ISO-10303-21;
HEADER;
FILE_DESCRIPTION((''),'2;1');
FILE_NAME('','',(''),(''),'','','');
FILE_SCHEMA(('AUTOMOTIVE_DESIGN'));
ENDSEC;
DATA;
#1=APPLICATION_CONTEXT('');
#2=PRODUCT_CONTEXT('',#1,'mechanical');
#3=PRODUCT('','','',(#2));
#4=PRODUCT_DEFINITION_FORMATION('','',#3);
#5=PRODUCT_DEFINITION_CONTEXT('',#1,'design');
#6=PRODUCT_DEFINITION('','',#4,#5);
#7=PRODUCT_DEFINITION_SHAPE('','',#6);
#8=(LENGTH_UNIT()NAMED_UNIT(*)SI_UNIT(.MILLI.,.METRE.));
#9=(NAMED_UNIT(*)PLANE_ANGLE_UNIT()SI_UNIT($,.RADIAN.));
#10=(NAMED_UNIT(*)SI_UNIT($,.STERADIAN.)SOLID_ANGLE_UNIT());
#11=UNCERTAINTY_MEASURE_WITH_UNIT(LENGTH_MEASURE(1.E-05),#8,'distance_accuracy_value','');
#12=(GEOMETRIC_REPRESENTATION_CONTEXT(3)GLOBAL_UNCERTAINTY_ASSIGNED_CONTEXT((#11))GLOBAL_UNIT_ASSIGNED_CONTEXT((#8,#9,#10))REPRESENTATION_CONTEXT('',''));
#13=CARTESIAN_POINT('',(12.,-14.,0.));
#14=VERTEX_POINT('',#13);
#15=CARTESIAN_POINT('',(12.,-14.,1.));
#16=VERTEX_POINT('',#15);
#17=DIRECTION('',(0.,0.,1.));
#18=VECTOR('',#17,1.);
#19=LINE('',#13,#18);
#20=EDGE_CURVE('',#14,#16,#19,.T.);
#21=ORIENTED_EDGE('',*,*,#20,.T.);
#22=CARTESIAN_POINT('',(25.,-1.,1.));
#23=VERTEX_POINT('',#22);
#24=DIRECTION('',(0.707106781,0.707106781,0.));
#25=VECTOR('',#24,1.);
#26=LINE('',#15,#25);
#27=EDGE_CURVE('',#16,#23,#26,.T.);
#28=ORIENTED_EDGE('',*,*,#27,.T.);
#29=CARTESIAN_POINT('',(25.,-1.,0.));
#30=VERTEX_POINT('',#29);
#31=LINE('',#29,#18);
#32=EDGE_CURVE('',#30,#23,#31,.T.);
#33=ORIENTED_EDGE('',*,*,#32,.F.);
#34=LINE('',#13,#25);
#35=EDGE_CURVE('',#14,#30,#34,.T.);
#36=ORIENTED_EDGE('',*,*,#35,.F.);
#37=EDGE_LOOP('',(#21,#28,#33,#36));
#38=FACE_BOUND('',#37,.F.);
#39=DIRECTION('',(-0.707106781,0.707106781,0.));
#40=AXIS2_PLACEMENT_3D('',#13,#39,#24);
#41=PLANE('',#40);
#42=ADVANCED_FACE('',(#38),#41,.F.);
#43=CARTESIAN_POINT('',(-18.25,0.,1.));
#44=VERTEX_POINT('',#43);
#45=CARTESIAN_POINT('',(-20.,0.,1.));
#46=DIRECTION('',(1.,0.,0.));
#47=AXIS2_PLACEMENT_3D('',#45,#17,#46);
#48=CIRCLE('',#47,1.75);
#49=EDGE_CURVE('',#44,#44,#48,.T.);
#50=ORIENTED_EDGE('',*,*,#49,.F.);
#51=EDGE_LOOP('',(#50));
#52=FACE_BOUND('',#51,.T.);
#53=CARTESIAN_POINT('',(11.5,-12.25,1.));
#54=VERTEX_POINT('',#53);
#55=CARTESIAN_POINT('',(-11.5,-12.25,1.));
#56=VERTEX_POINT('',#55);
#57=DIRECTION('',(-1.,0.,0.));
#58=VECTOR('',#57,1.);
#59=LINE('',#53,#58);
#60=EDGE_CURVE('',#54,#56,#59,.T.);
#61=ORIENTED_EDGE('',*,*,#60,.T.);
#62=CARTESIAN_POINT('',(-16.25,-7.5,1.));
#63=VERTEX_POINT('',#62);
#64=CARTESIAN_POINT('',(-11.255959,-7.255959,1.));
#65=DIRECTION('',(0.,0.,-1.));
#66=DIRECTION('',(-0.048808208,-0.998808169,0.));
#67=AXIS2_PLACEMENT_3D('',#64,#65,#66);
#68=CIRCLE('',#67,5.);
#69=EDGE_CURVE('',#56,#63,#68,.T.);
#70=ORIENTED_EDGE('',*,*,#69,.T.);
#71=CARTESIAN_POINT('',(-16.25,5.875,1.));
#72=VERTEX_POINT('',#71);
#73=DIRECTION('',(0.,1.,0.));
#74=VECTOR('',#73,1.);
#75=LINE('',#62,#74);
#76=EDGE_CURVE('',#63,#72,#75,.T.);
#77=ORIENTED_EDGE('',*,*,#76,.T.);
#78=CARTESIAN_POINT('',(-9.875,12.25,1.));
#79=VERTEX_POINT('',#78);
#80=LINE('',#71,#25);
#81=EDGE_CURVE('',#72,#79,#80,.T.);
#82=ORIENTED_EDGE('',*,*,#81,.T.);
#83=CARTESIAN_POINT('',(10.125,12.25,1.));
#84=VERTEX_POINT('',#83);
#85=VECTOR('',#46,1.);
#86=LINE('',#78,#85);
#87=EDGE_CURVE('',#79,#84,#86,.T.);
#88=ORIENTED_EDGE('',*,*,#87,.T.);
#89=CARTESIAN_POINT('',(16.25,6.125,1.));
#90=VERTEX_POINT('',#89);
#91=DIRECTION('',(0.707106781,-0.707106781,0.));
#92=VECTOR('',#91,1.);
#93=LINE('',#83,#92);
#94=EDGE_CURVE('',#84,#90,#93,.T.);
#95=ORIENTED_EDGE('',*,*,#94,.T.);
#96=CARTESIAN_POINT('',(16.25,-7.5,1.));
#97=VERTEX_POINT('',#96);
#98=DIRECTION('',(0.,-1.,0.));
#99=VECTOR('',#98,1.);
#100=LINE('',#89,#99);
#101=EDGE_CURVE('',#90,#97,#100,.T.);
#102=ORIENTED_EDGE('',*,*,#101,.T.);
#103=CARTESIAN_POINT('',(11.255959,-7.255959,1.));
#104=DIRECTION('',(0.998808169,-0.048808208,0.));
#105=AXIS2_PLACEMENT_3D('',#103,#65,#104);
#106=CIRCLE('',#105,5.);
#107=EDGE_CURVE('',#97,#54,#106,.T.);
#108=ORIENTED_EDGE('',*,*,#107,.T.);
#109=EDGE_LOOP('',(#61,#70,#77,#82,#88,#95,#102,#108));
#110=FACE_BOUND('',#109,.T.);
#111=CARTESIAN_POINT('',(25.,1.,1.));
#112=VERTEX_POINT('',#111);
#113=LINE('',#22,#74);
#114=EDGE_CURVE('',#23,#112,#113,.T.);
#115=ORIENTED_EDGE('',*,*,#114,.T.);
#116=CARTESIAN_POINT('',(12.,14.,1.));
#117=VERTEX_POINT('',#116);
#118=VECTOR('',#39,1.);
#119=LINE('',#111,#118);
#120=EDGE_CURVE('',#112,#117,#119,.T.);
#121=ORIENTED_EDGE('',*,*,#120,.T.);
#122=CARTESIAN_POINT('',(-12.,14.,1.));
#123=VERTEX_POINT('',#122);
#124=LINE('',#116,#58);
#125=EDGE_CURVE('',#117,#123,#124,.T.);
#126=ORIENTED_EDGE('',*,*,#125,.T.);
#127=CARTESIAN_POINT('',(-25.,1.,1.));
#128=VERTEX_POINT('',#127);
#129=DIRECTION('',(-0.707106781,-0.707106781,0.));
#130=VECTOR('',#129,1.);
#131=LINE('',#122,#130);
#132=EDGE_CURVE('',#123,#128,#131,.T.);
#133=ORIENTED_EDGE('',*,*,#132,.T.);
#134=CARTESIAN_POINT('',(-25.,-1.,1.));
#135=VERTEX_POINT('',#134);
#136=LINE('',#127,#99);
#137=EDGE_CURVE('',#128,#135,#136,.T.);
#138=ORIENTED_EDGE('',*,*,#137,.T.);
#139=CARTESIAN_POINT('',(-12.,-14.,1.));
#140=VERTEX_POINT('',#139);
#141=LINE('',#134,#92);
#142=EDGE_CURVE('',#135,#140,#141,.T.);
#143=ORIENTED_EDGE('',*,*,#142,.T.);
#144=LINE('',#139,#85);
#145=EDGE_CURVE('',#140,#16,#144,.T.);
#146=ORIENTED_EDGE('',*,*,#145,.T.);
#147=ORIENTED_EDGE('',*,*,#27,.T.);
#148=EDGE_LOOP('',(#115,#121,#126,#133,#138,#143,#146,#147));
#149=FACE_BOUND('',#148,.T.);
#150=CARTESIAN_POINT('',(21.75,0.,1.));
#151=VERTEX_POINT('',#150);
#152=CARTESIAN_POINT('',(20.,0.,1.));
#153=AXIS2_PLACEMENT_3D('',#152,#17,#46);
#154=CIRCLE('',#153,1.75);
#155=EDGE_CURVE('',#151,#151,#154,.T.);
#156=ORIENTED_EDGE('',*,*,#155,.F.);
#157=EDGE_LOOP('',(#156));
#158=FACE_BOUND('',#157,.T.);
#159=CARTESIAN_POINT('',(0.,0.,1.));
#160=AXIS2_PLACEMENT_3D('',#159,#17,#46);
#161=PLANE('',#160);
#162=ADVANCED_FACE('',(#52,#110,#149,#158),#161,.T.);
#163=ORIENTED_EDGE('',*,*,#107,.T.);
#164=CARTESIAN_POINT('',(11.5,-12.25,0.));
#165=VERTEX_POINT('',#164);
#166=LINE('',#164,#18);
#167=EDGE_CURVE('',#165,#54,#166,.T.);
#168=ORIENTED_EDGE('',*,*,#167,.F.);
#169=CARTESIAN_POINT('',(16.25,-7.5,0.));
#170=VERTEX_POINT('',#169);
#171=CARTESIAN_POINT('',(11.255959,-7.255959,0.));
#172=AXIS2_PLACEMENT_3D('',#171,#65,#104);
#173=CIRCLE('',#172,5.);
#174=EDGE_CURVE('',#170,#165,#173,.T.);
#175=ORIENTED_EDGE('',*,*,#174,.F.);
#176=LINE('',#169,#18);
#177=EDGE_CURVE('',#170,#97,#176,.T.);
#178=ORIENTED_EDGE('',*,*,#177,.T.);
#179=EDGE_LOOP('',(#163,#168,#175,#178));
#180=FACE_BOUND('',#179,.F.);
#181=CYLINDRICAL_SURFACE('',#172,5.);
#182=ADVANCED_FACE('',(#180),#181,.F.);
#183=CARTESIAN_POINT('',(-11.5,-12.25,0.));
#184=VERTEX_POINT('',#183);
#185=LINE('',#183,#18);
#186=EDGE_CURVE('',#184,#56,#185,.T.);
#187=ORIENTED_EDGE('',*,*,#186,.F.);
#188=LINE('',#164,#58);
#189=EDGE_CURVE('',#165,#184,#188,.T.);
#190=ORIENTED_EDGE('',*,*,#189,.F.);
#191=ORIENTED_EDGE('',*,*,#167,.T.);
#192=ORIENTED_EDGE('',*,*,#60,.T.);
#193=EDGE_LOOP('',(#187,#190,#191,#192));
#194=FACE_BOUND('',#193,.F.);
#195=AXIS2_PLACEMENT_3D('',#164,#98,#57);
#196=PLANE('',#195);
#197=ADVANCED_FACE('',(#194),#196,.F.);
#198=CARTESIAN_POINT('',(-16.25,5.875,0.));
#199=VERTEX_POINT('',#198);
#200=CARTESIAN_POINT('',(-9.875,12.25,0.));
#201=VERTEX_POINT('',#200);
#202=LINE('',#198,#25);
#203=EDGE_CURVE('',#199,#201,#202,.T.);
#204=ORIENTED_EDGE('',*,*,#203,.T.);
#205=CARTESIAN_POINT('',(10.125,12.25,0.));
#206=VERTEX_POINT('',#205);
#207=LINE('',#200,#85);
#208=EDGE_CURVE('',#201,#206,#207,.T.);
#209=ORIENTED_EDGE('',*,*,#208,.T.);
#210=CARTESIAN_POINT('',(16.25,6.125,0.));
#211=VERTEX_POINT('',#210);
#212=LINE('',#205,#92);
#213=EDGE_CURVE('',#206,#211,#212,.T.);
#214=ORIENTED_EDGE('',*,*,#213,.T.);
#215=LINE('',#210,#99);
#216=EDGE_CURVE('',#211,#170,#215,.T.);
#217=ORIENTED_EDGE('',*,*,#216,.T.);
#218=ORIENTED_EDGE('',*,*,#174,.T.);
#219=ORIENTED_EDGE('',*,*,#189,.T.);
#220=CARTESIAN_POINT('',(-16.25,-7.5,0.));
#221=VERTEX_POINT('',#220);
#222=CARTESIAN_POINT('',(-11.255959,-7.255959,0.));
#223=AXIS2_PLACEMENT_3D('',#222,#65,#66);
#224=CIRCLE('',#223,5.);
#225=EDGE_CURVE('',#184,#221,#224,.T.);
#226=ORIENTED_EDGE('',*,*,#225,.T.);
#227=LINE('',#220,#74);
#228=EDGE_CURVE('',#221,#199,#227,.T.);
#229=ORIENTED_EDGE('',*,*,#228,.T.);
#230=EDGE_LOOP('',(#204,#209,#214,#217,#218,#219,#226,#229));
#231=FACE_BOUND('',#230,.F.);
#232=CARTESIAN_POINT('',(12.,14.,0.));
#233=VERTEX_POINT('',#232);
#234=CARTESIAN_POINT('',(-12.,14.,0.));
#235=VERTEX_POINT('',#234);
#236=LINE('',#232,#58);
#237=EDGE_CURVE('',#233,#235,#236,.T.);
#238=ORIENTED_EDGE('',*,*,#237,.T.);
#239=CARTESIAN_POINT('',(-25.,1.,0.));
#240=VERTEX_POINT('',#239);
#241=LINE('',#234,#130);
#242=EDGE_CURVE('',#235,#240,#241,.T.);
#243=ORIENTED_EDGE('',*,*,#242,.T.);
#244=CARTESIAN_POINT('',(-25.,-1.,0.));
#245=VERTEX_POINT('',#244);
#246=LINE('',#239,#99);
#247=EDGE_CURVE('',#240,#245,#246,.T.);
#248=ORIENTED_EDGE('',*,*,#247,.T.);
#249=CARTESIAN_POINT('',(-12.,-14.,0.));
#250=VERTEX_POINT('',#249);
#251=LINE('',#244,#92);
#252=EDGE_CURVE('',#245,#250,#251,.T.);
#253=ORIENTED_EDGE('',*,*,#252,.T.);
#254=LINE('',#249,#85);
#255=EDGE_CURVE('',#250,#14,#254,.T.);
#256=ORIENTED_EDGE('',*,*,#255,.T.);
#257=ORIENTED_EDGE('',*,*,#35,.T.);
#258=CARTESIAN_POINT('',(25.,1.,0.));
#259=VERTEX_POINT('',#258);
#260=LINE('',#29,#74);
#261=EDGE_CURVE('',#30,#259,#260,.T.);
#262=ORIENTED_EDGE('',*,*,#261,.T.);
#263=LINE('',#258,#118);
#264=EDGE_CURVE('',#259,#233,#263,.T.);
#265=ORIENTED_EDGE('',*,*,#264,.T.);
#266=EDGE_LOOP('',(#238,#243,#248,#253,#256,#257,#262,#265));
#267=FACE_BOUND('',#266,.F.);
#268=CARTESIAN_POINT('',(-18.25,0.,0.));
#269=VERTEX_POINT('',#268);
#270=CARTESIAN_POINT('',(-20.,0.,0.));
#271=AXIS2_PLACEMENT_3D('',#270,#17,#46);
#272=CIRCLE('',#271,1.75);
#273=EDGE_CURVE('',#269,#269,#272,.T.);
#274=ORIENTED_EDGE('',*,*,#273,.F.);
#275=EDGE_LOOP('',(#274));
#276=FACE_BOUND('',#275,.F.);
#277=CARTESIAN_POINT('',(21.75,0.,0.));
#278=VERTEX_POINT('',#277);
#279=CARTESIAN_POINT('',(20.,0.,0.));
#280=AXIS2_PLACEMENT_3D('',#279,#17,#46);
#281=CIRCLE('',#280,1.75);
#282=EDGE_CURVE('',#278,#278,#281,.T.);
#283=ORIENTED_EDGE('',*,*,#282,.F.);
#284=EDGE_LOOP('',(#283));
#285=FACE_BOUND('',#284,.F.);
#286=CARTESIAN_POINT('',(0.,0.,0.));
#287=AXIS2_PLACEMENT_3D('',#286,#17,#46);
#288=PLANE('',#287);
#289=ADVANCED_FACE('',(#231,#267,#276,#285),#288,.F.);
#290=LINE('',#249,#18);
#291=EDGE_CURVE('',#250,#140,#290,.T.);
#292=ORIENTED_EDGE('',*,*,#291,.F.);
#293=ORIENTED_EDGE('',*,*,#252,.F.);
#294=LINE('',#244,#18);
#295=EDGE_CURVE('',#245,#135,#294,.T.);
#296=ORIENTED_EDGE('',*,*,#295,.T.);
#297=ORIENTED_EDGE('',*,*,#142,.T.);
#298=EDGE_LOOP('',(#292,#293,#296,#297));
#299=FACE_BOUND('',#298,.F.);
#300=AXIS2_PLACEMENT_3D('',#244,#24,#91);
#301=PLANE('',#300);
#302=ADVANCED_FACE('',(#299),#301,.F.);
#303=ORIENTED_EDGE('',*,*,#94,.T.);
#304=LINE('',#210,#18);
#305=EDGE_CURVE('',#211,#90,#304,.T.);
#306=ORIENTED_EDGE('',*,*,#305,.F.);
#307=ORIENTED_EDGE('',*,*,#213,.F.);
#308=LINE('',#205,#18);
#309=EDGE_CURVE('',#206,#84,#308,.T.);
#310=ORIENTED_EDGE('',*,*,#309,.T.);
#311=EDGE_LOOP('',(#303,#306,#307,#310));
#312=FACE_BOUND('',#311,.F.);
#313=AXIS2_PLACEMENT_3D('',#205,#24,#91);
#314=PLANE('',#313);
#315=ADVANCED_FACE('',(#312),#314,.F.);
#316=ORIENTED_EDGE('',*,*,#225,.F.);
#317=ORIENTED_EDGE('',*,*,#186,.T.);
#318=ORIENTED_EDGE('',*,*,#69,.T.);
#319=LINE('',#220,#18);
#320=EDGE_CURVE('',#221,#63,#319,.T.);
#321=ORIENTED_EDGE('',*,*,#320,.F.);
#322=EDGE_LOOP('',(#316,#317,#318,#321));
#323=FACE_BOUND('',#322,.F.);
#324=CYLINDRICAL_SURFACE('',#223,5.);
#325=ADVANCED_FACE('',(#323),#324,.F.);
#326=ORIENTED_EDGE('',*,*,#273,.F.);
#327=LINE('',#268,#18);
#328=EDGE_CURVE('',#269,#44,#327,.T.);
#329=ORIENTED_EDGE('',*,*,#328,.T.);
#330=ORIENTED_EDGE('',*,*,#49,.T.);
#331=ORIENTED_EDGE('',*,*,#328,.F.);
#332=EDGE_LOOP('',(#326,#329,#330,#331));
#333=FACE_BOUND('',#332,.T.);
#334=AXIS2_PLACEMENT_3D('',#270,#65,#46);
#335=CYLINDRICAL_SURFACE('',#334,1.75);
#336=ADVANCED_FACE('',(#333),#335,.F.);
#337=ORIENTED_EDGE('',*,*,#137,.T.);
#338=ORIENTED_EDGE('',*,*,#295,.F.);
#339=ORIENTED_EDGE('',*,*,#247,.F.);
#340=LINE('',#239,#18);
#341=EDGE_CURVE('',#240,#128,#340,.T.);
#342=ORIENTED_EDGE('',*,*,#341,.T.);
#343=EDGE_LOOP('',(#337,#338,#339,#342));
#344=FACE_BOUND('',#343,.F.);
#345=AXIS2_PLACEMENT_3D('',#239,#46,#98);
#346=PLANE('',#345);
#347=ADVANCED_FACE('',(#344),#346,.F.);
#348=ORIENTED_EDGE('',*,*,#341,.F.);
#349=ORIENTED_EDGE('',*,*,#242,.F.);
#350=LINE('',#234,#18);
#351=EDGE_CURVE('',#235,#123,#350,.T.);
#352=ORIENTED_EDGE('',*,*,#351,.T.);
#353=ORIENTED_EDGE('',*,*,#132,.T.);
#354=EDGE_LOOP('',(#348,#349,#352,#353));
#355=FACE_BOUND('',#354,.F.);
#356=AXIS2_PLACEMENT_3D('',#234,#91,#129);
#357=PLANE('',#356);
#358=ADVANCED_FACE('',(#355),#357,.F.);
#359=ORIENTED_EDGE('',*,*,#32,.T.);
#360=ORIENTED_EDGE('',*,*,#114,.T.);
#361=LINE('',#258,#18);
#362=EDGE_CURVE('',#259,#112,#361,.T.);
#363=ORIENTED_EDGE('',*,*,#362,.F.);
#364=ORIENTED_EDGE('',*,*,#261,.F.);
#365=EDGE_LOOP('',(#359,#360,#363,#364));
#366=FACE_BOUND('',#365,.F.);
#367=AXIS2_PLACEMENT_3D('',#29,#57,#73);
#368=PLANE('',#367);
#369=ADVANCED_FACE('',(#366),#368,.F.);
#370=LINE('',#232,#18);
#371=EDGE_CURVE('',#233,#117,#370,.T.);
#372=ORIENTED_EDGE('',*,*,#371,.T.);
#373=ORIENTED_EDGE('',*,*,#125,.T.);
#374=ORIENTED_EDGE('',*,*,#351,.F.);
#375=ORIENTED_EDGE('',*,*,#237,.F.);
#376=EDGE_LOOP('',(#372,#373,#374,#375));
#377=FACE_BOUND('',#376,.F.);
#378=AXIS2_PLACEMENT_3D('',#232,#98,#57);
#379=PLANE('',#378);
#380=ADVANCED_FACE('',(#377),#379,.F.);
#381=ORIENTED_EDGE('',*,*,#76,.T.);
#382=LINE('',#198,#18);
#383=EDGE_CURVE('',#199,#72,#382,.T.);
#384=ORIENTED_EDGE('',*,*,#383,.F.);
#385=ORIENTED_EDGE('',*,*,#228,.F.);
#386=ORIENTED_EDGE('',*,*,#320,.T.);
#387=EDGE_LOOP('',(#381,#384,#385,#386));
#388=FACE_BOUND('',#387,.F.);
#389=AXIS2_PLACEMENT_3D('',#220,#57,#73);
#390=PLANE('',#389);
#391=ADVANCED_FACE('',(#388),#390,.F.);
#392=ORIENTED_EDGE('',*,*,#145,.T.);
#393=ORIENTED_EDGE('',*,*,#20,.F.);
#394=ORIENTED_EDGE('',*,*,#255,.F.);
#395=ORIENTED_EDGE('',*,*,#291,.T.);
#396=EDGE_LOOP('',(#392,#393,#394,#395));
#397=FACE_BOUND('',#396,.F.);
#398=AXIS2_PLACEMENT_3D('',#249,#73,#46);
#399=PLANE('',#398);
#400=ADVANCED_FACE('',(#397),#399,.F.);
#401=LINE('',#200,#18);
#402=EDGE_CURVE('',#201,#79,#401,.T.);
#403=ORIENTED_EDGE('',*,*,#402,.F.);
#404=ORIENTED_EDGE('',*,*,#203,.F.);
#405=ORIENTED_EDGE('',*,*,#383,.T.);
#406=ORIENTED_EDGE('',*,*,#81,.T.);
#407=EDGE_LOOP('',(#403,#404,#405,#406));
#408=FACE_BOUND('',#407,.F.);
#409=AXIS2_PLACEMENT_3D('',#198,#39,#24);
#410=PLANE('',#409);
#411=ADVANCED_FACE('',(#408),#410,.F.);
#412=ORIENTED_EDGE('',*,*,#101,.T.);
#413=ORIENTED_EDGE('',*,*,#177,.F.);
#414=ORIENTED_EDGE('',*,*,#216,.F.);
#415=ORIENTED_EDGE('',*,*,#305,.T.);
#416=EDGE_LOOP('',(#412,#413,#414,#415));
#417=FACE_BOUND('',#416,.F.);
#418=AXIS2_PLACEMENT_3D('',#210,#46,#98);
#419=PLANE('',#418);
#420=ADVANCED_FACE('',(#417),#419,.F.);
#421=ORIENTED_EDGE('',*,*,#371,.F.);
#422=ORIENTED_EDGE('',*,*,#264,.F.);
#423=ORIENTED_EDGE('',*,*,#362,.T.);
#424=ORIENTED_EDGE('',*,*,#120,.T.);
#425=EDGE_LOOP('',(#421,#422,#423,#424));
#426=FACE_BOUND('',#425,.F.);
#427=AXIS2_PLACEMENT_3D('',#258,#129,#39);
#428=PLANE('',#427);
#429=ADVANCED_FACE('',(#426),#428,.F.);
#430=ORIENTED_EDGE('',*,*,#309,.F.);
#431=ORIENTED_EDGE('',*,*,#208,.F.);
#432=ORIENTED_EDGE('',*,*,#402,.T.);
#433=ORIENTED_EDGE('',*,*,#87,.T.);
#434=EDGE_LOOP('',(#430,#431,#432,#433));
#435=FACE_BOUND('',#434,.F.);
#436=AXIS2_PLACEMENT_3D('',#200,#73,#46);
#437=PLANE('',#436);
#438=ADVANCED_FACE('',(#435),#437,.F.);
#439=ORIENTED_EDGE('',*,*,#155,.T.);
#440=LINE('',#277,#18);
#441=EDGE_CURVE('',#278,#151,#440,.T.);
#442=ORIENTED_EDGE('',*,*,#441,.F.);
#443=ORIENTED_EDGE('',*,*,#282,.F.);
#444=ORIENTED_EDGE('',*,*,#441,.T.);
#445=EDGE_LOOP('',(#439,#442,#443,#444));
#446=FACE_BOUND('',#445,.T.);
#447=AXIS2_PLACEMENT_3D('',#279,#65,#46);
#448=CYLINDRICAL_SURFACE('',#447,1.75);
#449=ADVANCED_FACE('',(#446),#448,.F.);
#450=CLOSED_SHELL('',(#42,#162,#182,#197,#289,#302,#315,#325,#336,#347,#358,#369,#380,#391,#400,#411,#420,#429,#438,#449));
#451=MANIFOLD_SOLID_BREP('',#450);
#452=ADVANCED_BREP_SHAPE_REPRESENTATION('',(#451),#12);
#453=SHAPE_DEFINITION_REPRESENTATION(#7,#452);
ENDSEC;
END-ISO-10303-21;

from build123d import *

# Parameters (mm, degrees)
F0_R     = 1.75
F1_DEPTH = 1


with BuildPart() as f1:
    # F0 (on Top) → F1 (new body)
    with BuildSketch(Plane.XY):
        Polygon((12, 14), (-12, 14), (-25, 1), (-25, -1), (-12, -14), (12, -14), (25, -1), (25, 1), align=None)
        with Locations((-20, 0)):
            Circle(F0_R, mode=Mode.SUBTRACT)
        with BuildLine():
            Line((-16.25, 5.875), (-9.875, 12.25))
            Line((-9.875, 12.25), (10.125, 12.25))
            Line((10.125, 12.25), (16.25, 6.125))
            Line((16.25, 6.125), (16.25, -7.5))
            ThreePointArc((16.25, -7.5), (14.791493, -10.791493), (11.5, -12.25))
            Line((11.5, -12.25), (-11.5, -12.25))
            ThreePointArc((-11.5, -12.25), (-14.791493, -10.791493), (-16.25, -7.5))
            Line((-16.25, -7.5), (-16.25, 5.875))
        make_face(mode=Mode.SUBTRACT)
        with Locations((20, 0)):
            Circle(F0_R, mode=Mode.SUBTRACT)
    extrude(amount=F1_DEPTH)


solid = f1.part
